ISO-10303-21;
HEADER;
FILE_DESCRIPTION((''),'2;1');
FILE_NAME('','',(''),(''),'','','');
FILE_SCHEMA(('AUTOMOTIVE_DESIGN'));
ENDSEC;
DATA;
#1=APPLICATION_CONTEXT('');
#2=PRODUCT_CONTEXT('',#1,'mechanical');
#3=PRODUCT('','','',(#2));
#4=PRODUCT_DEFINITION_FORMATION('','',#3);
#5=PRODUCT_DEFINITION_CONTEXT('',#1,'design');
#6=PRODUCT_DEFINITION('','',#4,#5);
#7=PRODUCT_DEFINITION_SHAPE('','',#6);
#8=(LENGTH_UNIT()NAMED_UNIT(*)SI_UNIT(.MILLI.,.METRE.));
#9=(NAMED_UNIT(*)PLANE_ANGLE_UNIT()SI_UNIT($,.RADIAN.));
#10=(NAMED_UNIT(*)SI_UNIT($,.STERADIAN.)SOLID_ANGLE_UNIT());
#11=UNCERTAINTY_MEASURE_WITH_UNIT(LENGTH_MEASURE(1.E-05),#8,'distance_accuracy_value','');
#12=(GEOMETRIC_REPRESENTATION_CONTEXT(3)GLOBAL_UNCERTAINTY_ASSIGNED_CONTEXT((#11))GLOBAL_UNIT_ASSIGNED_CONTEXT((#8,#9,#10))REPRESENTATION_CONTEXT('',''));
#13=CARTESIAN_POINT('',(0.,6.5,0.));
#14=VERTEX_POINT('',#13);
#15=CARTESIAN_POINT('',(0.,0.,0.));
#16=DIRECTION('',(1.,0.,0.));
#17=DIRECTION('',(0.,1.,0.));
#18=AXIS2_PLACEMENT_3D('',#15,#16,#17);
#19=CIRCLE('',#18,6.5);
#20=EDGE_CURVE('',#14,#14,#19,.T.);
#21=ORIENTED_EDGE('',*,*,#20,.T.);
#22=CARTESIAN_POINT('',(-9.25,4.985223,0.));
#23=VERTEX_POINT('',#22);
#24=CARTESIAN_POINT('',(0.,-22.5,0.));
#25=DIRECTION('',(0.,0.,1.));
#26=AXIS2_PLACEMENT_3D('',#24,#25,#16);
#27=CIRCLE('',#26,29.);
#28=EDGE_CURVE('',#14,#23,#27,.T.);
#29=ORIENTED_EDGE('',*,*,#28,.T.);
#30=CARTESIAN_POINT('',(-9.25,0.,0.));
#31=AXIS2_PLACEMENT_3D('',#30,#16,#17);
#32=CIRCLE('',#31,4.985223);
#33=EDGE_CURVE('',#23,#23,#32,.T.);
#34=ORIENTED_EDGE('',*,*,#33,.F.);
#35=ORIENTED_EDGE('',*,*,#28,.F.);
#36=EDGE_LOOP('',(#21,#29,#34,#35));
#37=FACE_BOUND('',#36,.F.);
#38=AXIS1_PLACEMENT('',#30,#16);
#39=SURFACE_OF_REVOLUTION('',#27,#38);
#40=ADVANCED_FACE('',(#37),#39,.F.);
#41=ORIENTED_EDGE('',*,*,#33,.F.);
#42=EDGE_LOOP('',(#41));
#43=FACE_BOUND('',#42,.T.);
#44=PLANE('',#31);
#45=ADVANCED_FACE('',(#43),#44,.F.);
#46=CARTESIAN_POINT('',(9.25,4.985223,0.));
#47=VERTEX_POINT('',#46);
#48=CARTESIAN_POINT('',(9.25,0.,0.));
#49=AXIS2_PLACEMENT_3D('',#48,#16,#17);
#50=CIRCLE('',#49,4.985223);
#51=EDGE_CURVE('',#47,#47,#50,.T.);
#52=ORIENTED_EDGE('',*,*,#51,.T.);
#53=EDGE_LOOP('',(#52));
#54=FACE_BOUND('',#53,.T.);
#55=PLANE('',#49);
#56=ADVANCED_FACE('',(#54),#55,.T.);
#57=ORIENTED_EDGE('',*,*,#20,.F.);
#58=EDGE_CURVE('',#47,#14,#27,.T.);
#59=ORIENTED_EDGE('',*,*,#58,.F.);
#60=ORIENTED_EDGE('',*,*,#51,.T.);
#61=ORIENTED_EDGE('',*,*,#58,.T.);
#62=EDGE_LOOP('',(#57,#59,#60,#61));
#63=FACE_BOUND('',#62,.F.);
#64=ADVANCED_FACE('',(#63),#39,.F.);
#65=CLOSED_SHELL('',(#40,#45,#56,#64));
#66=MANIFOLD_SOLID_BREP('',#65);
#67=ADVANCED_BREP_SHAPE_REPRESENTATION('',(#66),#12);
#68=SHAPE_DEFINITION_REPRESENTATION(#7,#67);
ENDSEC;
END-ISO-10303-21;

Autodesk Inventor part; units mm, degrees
ref_plane "YZ Plane" through (0, 0, 0) normal (1, 0, 0) x (0, 1, 0)
ref_plane "XZ Plane" through (0, 0, 0) normal (0, 1, 0) x (-1, 0, 0)
ref_plane "XY Plane" through (0, 0, 0) normal (0, 0, 1) x (1, 0, 0)
sketch "スケッチ1" plane through (0, 0, 0) normal (0, 0, 1) x (1, 0, 0)
  circle A0 centre (0, -22.5) radius 29
  line L0 (-9.25, 6.5) -> (9.25, 6.5)
  line L1 (9.25, 6.5) -> (9.25, -22.5)
  line L2 (9.25, -22.5) -> (-9.25, -22.5)
  line L3 (-9.25, -22.5) -> (-9.25, 6.5)
  line L4 (-9.25, 0) -> (9.25, 0)
  point P0 (9.25, 4.9852)
  point P1 (-9.25, 4.9852)
  point P2 (0, 0)
  dimension "d0" = 58
  dimension "d1" = 18.5
  dimension "d2" = 6.5
revolve "回転1" add sketch "スケッチ1" angle 360 about axis through (-9.25, 0, 0) along (1, 0, 0) contours L1 L4 L3 A0
properties part number "barrel" material "ゴム"
